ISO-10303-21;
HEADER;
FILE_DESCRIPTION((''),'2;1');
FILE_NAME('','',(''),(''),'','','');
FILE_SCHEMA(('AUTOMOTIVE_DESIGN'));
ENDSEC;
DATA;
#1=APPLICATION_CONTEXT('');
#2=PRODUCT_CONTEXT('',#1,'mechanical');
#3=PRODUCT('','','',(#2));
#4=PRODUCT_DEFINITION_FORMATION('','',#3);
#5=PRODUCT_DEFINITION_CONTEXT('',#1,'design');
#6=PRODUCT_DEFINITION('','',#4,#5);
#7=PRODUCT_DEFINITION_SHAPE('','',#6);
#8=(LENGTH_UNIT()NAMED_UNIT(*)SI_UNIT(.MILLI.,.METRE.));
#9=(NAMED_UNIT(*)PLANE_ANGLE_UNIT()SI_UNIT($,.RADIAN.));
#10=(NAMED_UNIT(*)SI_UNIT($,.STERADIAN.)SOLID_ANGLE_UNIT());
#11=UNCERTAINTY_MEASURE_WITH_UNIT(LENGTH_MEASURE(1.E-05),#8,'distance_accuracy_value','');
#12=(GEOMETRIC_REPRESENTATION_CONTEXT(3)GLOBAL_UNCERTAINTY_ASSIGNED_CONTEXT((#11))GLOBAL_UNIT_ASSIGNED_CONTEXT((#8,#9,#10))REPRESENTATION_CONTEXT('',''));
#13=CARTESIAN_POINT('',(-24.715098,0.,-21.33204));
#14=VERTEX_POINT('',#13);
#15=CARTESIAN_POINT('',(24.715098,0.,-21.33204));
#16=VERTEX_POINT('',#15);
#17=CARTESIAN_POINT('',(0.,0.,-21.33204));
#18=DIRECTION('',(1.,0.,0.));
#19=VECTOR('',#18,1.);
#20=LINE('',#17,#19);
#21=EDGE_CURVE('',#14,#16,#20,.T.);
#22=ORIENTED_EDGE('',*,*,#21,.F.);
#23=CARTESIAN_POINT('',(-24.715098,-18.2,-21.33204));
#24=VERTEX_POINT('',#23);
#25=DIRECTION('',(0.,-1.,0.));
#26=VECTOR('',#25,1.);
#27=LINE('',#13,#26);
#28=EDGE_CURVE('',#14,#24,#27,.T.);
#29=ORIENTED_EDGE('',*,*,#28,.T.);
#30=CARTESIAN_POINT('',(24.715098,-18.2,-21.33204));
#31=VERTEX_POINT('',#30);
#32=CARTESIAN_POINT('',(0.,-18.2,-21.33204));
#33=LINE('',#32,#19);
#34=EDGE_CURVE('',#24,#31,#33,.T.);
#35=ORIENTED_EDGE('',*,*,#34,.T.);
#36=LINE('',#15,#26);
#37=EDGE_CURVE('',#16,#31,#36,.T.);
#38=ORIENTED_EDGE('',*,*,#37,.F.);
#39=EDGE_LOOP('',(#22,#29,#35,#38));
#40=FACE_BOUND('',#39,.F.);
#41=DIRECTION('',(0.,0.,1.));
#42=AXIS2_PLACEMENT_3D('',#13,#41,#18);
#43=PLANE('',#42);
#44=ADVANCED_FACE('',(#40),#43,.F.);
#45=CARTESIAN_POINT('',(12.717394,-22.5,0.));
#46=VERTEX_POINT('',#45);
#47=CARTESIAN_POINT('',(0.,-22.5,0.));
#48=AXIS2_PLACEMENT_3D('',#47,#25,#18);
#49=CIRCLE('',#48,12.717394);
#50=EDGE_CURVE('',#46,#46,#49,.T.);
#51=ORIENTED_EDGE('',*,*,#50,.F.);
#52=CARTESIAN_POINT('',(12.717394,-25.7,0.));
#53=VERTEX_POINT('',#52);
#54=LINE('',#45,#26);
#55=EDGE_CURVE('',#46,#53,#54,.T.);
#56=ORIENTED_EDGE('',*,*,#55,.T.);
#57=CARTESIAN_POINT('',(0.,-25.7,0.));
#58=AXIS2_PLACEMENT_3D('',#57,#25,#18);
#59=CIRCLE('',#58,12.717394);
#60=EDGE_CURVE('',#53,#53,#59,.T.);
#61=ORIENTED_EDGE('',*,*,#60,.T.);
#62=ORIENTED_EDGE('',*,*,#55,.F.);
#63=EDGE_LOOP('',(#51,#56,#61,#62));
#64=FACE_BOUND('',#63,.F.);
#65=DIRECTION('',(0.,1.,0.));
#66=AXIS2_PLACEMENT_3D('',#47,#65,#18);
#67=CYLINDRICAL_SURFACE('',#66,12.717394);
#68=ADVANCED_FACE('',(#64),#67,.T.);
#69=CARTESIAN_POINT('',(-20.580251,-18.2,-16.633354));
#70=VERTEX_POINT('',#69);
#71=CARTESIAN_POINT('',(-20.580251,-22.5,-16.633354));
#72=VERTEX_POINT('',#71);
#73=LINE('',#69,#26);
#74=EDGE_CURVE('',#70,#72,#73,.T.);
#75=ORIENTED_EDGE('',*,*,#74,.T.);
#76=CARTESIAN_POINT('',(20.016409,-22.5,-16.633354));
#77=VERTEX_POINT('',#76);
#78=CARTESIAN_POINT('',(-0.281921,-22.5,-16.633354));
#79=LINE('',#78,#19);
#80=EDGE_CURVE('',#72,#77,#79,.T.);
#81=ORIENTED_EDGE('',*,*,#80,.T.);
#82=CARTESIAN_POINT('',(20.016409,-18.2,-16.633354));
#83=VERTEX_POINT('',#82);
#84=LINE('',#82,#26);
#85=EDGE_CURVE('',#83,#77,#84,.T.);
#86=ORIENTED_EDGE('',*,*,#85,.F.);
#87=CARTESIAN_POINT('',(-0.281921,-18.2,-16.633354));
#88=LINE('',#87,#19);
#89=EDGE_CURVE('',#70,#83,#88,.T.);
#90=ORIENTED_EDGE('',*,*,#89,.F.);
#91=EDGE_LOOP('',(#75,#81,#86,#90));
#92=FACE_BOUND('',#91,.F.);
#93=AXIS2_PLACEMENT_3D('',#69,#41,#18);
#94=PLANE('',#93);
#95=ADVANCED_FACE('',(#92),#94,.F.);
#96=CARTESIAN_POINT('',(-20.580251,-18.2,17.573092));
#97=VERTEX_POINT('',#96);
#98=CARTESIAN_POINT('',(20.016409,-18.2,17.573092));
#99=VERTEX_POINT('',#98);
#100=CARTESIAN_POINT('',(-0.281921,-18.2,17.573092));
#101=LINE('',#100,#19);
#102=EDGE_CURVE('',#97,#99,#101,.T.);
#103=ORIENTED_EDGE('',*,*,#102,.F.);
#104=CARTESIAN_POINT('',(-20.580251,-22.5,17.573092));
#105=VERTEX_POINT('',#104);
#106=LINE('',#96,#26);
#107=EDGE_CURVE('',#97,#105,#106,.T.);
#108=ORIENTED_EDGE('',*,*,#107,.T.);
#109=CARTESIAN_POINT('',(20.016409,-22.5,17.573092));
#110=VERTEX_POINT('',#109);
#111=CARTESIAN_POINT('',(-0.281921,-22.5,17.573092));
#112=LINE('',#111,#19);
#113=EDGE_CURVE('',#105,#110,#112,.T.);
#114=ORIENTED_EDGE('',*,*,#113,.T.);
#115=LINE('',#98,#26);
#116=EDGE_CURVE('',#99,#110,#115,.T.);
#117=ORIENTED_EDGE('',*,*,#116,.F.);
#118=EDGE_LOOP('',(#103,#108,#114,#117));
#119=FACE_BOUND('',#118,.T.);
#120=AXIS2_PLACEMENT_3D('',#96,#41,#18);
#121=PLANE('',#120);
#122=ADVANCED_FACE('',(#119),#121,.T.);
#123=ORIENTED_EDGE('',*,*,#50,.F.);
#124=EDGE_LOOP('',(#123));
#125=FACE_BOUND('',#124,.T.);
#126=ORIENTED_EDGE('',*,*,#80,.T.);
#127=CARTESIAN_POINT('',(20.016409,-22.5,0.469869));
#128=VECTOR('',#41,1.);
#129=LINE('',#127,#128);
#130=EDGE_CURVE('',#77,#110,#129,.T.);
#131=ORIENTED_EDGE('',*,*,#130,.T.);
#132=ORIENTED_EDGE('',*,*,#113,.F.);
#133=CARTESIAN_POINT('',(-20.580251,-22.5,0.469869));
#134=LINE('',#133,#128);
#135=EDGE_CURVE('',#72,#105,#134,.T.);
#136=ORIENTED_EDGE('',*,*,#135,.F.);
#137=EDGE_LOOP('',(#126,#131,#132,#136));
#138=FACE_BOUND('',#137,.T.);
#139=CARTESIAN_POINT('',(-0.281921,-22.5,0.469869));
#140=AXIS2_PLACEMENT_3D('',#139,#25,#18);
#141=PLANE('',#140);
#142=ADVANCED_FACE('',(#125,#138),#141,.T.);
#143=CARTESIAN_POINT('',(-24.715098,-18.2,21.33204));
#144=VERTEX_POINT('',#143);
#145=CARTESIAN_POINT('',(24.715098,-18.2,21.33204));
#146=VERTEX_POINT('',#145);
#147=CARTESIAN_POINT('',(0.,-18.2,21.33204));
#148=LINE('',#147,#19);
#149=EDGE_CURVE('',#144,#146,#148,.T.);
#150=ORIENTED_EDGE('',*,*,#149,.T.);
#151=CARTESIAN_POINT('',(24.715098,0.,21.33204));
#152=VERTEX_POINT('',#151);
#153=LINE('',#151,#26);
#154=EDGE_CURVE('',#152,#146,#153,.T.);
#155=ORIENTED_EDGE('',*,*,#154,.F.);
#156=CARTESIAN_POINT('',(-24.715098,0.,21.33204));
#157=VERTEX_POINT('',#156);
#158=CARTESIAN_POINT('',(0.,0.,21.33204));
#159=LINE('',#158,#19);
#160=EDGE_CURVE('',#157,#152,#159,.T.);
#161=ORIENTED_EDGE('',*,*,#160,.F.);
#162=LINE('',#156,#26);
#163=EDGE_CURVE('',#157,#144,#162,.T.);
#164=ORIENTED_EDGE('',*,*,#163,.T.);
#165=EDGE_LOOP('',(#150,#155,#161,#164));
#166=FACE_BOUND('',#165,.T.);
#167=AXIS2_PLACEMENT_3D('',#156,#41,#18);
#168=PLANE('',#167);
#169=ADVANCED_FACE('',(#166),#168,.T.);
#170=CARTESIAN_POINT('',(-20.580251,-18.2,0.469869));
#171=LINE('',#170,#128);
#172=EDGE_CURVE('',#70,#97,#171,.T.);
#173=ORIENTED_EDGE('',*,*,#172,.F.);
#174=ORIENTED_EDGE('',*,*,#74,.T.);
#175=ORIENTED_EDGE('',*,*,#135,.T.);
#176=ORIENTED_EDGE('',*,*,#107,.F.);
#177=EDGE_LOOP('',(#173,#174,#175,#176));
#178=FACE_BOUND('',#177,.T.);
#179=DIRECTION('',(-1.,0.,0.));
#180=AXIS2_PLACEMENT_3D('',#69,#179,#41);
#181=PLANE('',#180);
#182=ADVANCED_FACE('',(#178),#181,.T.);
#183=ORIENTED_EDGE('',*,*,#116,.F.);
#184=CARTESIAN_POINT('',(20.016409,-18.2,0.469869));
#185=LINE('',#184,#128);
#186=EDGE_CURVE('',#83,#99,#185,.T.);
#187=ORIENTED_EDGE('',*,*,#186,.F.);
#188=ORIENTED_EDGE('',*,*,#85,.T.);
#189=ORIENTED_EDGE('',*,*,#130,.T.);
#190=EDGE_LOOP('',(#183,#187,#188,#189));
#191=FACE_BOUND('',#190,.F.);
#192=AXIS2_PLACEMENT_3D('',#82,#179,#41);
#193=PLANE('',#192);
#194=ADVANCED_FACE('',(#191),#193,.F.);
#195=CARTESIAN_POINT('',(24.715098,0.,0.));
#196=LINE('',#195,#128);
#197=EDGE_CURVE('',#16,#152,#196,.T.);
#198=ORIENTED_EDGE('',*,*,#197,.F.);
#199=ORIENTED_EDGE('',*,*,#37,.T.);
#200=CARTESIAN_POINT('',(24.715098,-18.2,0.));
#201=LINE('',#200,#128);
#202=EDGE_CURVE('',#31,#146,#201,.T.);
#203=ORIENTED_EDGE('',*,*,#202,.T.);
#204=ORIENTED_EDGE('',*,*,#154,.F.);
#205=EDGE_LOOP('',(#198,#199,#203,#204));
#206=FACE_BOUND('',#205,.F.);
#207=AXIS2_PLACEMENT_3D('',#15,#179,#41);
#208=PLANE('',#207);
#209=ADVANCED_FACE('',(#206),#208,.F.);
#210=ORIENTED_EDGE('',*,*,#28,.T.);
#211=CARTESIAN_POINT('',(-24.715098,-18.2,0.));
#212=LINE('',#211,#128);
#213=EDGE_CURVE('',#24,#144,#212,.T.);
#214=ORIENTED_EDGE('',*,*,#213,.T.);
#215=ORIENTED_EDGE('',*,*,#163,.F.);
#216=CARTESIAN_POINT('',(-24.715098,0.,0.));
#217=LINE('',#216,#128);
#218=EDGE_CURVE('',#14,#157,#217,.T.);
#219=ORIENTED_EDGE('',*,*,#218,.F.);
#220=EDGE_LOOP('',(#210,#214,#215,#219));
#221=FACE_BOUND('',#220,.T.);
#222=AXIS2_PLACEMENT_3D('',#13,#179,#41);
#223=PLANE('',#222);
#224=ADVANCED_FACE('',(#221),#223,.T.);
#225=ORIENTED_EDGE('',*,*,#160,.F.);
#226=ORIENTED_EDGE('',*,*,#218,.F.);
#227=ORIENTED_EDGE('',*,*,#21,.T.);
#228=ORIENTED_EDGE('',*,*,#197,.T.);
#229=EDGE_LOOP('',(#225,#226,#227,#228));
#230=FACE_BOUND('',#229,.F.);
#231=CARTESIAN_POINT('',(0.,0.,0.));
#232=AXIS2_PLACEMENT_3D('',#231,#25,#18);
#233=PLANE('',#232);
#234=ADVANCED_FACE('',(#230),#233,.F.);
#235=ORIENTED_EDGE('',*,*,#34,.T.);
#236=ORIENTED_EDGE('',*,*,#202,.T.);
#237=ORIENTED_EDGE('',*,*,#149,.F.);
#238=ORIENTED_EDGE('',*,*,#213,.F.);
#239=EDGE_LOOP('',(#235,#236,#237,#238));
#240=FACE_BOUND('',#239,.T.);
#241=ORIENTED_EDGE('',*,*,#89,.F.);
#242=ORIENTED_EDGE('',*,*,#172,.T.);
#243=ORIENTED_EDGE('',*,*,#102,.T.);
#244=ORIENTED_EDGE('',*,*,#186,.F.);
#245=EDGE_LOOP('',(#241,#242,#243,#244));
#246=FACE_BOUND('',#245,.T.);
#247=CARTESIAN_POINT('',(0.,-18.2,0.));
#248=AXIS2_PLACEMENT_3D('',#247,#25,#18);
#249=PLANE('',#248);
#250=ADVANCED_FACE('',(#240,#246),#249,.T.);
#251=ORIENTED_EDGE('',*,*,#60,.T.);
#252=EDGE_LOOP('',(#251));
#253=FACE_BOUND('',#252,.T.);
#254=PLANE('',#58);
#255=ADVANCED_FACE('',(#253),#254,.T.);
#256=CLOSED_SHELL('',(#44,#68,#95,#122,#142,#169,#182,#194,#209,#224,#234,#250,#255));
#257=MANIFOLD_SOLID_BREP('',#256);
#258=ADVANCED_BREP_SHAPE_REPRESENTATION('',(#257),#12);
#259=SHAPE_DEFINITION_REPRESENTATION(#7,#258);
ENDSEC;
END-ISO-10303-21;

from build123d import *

# Parameters (mm, degrees)
F0_W     = 49.430196
F0_H     = 42.66408
F1_DEPTH = 18.2
F2_W     = 40.59666
F2_H     = 34.206446
F3_DEPTH = 4.3
F4_R     = 12.717394
F5_DEPTH = 3.2


with BuildPart() as f1:
    # F0 (on Front) → F1 (new body)
    with BuildSketch(Plane.XZ):
        Rectangle(F0_W, F0_H)
    extrude(amount=F1_DEPTH)

    # F2 (on face) → F3 (join)
    with BuildSketch(Plane.XZ.offset(18.2)):
        with Locations((-0.281921, 0.469869)):
            Rectangle(F2_W, F2_H)
    extrude(amount=F3_DEPTH)

    # F4 (on face) → F5 (join)
    with BuildSketch(Plane.XZ.offset(22.5)):
        Circle(F4_R)
    extrude(amount=F5_DEPTH)


solid = f1.part
